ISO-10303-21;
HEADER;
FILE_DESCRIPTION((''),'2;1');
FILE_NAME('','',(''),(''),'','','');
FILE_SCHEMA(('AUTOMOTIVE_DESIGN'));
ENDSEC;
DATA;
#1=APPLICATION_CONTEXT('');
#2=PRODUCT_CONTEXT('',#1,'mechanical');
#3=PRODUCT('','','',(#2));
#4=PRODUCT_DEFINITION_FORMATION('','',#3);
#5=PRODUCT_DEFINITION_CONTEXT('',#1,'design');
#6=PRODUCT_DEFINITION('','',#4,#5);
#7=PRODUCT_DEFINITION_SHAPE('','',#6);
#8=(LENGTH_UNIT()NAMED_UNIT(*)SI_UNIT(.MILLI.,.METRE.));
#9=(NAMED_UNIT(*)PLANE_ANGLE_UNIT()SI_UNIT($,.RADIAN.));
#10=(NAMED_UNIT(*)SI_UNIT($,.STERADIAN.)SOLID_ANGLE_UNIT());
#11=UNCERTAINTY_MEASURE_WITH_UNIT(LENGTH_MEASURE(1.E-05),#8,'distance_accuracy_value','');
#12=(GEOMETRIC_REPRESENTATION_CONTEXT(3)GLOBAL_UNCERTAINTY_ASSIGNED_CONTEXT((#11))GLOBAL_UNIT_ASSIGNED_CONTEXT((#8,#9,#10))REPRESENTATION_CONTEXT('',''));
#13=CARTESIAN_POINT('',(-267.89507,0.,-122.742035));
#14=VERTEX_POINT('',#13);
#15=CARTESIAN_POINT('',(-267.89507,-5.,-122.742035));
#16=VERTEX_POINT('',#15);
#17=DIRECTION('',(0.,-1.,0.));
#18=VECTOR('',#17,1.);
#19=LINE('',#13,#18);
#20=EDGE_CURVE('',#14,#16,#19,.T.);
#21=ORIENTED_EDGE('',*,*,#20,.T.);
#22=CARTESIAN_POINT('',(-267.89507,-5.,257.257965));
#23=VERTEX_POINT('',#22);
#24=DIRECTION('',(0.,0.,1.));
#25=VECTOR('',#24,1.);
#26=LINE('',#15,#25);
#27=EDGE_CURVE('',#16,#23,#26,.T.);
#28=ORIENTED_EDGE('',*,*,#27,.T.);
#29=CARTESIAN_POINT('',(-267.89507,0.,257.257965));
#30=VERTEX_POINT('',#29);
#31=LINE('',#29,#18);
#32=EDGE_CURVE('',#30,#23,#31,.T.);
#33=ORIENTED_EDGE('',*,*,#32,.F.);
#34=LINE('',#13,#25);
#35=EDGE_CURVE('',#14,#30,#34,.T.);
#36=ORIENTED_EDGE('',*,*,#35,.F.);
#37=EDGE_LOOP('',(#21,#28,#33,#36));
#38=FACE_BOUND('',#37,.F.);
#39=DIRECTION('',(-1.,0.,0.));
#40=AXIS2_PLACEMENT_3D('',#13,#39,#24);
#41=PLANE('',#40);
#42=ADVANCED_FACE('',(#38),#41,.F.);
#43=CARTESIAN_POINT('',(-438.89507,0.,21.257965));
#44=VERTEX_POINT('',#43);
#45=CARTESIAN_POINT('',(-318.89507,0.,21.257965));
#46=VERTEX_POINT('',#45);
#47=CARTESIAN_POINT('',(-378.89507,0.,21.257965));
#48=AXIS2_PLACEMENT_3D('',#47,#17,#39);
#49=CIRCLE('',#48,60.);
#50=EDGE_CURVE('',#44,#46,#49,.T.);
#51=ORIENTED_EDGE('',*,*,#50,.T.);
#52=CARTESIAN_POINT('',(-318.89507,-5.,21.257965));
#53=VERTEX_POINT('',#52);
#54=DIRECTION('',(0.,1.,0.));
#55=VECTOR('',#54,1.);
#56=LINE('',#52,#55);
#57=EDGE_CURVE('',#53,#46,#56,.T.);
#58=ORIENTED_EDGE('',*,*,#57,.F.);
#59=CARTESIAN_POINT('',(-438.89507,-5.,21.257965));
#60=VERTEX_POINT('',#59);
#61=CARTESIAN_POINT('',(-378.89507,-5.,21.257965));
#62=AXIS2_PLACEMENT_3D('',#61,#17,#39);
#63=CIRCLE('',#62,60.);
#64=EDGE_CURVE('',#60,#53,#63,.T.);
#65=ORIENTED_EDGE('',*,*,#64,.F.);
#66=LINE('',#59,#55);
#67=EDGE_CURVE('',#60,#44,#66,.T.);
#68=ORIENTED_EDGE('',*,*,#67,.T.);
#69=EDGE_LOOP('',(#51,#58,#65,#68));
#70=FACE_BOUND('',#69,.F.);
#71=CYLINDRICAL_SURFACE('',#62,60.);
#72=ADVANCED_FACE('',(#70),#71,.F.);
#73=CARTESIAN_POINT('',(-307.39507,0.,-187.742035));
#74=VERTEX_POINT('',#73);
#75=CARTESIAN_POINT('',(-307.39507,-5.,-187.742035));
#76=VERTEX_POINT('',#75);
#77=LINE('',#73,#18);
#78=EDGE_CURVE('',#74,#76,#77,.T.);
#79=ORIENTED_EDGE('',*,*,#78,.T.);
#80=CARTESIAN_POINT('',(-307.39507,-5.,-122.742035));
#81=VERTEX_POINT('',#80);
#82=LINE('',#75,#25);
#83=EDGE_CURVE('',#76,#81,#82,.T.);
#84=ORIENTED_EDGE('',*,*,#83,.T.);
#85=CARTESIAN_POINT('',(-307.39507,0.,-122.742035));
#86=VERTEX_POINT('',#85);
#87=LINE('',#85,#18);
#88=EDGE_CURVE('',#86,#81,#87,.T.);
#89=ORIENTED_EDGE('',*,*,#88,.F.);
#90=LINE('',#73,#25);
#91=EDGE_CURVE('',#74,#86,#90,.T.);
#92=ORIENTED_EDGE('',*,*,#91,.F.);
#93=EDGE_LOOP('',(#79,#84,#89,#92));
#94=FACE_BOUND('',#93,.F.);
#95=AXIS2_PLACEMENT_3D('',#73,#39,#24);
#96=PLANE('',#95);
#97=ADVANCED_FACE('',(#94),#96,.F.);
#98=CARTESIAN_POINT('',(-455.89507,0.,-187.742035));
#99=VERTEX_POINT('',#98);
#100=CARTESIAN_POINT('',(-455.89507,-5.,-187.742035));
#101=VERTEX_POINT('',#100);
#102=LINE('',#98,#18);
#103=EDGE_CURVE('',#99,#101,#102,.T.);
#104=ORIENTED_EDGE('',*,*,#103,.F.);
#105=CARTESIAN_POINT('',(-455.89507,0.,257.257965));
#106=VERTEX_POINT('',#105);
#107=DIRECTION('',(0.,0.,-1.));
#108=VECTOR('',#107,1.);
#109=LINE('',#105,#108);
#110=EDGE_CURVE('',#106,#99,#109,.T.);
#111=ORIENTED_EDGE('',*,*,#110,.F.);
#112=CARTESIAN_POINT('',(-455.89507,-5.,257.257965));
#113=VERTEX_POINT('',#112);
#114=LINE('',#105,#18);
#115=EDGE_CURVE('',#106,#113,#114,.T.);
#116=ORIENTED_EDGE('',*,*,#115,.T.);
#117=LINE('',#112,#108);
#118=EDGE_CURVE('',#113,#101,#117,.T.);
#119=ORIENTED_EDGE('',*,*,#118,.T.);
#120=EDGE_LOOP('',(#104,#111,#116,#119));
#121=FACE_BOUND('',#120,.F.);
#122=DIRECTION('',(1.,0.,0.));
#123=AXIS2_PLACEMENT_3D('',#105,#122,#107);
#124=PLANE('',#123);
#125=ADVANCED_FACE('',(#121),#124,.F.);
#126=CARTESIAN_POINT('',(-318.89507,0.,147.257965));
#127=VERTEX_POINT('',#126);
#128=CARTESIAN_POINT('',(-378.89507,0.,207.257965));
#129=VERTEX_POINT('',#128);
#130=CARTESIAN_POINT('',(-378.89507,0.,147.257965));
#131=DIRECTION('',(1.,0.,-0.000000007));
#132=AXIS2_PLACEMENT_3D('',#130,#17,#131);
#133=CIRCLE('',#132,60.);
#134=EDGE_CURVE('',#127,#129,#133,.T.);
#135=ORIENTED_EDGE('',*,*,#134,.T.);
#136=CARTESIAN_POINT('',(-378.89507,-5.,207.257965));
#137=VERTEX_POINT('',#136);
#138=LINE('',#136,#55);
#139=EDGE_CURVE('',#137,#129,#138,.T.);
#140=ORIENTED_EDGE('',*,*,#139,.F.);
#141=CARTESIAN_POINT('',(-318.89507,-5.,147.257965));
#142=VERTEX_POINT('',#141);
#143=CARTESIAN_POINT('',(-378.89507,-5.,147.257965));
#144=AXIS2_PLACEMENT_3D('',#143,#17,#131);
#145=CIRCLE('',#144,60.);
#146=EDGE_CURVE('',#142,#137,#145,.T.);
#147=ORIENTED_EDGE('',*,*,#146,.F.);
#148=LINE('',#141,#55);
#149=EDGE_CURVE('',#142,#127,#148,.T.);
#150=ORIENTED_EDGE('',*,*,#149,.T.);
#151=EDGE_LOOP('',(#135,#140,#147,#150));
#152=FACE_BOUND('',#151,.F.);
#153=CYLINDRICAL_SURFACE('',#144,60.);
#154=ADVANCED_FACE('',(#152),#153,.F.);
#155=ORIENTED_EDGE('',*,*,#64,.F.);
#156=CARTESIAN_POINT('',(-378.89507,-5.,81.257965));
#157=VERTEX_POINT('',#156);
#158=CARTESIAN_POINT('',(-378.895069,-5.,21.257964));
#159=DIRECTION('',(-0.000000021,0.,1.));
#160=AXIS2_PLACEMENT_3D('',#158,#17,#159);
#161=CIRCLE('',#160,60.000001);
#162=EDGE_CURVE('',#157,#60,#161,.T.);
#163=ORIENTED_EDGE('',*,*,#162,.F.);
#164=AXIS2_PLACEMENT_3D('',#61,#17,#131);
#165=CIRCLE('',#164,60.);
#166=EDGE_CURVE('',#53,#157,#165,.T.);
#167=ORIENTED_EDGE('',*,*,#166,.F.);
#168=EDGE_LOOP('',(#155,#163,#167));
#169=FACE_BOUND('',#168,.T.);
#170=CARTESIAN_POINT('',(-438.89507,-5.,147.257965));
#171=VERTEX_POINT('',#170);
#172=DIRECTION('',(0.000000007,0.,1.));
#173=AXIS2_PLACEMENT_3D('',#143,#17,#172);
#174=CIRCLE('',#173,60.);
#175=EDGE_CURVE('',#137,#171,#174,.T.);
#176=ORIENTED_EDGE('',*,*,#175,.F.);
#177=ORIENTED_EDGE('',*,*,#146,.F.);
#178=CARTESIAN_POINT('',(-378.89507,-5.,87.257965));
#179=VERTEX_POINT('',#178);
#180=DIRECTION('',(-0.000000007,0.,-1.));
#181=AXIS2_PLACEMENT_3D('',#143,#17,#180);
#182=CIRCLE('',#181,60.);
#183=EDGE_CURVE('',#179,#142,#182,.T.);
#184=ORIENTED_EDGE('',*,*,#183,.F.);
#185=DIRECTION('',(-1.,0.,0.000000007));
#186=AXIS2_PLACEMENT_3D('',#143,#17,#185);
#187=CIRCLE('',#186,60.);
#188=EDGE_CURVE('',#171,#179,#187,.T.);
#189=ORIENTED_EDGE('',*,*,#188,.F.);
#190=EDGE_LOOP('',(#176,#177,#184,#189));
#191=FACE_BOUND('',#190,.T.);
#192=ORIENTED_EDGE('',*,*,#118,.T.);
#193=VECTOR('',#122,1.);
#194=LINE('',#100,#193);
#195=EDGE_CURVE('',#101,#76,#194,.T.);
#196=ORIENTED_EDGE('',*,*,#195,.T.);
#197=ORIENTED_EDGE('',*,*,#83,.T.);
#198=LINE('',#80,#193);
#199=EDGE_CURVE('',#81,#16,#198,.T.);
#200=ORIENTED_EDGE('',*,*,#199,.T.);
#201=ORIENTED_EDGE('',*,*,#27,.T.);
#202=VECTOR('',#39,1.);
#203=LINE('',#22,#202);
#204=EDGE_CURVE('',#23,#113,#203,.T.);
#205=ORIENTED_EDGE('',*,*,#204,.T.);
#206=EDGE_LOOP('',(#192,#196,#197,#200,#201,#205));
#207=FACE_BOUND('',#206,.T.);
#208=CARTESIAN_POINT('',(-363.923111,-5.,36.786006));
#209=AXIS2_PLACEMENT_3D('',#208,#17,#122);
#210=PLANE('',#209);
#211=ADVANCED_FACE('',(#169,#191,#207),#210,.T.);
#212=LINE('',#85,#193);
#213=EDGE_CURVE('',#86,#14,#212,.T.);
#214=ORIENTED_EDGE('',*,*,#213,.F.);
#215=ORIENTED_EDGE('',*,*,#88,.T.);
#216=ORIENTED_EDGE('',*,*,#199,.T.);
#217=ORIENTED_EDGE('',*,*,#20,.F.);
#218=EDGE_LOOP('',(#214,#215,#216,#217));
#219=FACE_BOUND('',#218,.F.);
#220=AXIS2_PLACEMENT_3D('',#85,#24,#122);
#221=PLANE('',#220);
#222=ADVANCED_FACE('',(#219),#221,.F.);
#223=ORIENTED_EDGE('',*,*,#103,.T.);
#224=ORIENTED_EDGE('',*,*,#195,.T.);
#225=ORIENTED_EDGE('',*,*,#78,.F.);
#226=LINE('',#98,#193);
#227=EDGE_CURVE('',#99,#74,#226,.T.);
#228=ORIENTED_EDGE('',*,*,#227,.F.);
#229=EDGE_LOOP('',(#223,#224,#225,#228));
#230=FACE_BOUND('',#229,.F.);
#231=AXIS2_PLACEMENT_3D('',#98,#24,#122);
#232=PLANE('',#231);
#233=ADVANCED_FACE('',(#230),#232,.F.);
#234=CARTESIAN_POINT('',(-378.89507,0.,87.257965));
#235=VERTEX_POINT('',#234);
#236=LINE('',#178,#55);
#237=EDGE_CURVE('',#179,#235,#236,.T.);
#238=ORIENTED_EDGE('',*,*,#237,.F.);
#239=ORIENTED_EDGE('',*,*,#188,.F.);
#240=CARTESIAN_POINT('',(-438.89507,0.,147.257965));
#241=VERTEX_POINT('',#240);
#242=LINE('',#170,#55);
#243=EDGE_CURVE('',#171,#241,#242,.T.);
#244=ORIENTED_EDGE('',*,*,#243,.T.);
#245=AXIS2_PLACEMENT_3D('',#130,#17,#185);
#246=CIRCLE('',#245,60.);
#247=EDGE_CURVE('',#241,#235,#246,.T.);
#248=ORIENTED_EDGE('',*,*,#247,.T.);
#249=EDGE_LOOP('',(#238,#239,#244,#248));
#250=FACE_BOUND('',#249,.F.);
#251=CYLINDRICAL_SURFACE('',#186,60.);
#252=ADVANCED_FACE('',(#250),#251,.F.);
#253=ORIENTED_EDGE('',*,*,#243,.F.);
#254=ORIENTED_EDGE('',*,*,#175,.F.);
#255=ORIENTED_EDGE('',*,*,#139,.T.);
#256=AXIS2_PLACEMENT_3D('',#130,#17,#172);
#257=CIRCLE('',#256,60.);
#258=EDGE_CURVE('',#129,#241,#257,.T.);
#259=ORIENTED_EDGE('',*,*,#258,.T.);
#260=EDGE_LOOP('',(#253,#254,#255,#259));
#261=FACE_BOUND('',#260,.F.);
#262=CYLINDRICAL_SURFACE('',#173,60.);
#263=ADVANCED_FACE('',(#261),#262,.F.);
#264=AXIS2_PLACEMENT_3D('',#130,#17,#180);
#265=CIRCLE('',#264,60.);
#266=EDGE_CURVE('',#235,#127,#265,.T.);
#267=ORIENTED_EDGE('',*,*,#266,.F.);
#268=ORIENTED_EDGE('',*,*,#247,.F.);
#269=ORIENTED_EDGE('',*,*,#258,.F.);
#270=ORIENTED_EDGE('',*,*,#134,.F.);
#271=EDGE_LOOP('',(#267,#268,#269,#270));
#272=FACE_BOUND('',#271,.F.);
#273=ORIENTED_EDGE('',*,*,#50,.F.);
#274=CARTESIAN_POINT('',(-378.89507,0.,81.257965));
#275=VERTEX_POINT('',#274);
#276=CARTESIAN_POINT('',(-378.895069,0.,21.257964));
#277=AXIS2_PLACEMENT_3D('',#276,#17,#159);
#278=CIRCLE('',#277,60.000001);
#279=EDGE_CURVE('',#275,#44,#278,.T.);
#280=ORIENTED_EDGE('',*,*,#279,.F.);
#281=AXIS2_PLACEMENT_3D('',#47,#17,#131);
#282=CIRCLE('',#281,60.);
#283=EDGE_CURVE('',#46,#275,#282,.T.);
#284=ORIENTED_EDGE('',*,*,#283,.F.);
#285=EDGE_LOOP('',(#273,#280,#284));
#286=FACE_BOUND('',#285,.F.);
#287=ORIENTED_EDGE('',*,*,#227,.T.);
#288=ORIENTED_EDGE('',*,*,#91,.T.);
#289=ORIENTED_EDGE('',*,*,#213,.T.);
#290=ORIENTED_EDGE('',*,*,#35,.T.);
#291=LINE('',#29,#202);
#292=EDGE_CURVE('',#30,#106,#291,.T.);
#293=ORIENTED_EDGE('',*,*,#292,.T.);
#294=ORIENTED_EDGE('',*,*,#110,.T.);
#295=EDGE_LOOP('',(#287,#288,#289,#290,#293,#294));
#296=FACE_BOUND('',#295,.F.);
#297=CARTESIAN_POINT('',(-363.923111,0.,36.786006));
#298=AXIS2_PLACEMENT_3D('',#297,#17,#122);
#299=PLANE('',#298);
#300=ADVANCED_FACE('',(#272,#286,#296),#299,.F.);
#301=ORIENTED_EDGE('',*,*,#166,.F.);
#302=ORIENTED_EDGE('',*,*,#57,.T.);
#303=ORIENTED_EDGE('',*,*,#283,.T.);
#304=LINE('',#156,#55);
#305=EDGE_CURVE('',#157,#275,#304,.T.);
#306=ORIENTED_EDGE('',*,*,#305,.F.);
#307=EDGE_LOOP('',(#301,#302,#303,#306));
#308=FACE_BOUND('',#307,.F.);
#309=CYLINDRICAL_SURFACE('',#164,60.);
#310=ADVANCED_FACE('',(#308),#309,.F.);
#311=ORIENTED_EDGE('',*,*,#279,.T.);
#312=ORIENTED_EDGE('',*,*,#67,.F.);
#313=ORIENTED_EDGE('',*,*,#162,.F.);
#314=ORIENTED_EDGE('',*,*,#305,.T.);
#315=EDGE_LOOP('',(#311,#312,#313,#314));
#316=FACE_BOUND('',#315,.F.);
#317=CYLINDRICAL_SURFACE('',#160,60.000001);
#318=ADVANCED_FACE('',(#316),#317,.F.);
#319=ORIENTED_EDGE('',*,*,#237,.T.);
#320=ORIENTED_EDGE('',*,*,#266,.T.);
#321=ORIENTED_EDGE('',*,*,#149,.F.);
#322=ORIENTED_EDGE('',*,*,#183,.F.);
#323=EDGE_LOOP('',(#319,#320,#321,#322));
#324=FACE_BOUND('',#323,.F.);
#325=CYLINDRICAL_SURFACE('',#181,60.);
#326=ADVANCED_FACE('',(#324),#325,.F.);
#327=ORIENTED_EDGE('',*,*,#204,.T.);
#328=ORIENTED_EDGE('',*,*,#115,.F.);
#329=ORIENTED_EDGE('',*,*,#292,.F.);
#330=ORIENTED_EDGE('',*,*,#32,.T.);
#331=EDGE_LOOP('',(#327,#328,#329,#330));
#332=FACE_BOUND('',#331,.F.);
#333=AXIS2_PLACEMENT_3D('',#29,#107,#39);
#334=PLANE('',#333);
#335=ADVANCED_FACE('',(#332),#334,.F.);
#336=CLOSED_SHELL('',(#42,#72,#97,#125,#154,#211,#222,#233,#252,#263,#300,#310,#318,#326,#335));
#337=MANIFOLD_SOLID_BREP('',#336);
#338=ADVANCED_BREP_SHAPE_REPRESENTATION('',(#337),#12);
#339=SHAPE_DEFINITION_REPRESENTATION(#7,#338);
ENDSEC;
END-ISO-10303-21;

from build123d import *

# Parameters (mm, degrees)
F1_DEPTH = 5
F3_DEPTH = 5.001


with BuildPart() as f1:
    # F0 (on Front) → F1 (new body)
    with BuildSketch(Plane.XZ):
        Polygon((-267.89507, 257.257965), (-455.89507, 257.257965), (-455.89507, -187.742035), (-307.39507, -187.742035), (-307.39507, -122.742035), (-267.89507, -122.742035), align=None)
    extrude(amount=F1_DEPTH)

    # F2 (on face) → F3 (cut, through all)
    with BuildSketch(Plane.XZ.offset(5)):
        with BuildLine():
            ThreePointArc((-378.89507, 81.257965), (-421.321476, 63.684372), (-438.89507, 21.257965))
            ThreePointArc((-438.89507, 21.257965), (-378.89507, -38.742035), (-318.89507, 21.257965))
            ThreePointArc((-318.89507, 21.257965), (-336.468663, 63.684372), (-378.89507, 81.257965))
        make_face()
        with BuildLine():
            ThreePointArc((-318.89507, 147.257965), (-336.468663, 189.684372), (-378.89507, 207.257965))
            Line((-378.89507, 207.257965), (-378.89507, 147.257965))
            Line((-378.89507, 147.257965), (-378.89507, 87.257965))
            ThreePointArc((-378.89507, 87.257965), (-336.468663, 104.831558), (-318.89507, 147.257965))
        make_face()
        with BuildLine():
            Line((-378.89507, 147.257965), (-438.89507, 147.257965))
            ThreePointArc((-438.89507, 147.257965), (-421.321477, 104.831558), (-378.89507, 87.257965))
            Line((-378.89507, 87.257965), (-378.89507, 147.257965))
        make_face()
        with BuildLine():
            Line((-378.89507, 147.257965), (-378.89507, 207.257965))
            ThreePointArc((-378.89507, 207.257965), (-421.321477, 189.684372), (-438.89507, 147.257965))
            Line((-438.89507, 147.257965), (-378.89507, 147.257965))
        make_face()
    extrude(amount=-F3_DEPTH, mode=Mode.SUBTRACT)


solid = f1.part
